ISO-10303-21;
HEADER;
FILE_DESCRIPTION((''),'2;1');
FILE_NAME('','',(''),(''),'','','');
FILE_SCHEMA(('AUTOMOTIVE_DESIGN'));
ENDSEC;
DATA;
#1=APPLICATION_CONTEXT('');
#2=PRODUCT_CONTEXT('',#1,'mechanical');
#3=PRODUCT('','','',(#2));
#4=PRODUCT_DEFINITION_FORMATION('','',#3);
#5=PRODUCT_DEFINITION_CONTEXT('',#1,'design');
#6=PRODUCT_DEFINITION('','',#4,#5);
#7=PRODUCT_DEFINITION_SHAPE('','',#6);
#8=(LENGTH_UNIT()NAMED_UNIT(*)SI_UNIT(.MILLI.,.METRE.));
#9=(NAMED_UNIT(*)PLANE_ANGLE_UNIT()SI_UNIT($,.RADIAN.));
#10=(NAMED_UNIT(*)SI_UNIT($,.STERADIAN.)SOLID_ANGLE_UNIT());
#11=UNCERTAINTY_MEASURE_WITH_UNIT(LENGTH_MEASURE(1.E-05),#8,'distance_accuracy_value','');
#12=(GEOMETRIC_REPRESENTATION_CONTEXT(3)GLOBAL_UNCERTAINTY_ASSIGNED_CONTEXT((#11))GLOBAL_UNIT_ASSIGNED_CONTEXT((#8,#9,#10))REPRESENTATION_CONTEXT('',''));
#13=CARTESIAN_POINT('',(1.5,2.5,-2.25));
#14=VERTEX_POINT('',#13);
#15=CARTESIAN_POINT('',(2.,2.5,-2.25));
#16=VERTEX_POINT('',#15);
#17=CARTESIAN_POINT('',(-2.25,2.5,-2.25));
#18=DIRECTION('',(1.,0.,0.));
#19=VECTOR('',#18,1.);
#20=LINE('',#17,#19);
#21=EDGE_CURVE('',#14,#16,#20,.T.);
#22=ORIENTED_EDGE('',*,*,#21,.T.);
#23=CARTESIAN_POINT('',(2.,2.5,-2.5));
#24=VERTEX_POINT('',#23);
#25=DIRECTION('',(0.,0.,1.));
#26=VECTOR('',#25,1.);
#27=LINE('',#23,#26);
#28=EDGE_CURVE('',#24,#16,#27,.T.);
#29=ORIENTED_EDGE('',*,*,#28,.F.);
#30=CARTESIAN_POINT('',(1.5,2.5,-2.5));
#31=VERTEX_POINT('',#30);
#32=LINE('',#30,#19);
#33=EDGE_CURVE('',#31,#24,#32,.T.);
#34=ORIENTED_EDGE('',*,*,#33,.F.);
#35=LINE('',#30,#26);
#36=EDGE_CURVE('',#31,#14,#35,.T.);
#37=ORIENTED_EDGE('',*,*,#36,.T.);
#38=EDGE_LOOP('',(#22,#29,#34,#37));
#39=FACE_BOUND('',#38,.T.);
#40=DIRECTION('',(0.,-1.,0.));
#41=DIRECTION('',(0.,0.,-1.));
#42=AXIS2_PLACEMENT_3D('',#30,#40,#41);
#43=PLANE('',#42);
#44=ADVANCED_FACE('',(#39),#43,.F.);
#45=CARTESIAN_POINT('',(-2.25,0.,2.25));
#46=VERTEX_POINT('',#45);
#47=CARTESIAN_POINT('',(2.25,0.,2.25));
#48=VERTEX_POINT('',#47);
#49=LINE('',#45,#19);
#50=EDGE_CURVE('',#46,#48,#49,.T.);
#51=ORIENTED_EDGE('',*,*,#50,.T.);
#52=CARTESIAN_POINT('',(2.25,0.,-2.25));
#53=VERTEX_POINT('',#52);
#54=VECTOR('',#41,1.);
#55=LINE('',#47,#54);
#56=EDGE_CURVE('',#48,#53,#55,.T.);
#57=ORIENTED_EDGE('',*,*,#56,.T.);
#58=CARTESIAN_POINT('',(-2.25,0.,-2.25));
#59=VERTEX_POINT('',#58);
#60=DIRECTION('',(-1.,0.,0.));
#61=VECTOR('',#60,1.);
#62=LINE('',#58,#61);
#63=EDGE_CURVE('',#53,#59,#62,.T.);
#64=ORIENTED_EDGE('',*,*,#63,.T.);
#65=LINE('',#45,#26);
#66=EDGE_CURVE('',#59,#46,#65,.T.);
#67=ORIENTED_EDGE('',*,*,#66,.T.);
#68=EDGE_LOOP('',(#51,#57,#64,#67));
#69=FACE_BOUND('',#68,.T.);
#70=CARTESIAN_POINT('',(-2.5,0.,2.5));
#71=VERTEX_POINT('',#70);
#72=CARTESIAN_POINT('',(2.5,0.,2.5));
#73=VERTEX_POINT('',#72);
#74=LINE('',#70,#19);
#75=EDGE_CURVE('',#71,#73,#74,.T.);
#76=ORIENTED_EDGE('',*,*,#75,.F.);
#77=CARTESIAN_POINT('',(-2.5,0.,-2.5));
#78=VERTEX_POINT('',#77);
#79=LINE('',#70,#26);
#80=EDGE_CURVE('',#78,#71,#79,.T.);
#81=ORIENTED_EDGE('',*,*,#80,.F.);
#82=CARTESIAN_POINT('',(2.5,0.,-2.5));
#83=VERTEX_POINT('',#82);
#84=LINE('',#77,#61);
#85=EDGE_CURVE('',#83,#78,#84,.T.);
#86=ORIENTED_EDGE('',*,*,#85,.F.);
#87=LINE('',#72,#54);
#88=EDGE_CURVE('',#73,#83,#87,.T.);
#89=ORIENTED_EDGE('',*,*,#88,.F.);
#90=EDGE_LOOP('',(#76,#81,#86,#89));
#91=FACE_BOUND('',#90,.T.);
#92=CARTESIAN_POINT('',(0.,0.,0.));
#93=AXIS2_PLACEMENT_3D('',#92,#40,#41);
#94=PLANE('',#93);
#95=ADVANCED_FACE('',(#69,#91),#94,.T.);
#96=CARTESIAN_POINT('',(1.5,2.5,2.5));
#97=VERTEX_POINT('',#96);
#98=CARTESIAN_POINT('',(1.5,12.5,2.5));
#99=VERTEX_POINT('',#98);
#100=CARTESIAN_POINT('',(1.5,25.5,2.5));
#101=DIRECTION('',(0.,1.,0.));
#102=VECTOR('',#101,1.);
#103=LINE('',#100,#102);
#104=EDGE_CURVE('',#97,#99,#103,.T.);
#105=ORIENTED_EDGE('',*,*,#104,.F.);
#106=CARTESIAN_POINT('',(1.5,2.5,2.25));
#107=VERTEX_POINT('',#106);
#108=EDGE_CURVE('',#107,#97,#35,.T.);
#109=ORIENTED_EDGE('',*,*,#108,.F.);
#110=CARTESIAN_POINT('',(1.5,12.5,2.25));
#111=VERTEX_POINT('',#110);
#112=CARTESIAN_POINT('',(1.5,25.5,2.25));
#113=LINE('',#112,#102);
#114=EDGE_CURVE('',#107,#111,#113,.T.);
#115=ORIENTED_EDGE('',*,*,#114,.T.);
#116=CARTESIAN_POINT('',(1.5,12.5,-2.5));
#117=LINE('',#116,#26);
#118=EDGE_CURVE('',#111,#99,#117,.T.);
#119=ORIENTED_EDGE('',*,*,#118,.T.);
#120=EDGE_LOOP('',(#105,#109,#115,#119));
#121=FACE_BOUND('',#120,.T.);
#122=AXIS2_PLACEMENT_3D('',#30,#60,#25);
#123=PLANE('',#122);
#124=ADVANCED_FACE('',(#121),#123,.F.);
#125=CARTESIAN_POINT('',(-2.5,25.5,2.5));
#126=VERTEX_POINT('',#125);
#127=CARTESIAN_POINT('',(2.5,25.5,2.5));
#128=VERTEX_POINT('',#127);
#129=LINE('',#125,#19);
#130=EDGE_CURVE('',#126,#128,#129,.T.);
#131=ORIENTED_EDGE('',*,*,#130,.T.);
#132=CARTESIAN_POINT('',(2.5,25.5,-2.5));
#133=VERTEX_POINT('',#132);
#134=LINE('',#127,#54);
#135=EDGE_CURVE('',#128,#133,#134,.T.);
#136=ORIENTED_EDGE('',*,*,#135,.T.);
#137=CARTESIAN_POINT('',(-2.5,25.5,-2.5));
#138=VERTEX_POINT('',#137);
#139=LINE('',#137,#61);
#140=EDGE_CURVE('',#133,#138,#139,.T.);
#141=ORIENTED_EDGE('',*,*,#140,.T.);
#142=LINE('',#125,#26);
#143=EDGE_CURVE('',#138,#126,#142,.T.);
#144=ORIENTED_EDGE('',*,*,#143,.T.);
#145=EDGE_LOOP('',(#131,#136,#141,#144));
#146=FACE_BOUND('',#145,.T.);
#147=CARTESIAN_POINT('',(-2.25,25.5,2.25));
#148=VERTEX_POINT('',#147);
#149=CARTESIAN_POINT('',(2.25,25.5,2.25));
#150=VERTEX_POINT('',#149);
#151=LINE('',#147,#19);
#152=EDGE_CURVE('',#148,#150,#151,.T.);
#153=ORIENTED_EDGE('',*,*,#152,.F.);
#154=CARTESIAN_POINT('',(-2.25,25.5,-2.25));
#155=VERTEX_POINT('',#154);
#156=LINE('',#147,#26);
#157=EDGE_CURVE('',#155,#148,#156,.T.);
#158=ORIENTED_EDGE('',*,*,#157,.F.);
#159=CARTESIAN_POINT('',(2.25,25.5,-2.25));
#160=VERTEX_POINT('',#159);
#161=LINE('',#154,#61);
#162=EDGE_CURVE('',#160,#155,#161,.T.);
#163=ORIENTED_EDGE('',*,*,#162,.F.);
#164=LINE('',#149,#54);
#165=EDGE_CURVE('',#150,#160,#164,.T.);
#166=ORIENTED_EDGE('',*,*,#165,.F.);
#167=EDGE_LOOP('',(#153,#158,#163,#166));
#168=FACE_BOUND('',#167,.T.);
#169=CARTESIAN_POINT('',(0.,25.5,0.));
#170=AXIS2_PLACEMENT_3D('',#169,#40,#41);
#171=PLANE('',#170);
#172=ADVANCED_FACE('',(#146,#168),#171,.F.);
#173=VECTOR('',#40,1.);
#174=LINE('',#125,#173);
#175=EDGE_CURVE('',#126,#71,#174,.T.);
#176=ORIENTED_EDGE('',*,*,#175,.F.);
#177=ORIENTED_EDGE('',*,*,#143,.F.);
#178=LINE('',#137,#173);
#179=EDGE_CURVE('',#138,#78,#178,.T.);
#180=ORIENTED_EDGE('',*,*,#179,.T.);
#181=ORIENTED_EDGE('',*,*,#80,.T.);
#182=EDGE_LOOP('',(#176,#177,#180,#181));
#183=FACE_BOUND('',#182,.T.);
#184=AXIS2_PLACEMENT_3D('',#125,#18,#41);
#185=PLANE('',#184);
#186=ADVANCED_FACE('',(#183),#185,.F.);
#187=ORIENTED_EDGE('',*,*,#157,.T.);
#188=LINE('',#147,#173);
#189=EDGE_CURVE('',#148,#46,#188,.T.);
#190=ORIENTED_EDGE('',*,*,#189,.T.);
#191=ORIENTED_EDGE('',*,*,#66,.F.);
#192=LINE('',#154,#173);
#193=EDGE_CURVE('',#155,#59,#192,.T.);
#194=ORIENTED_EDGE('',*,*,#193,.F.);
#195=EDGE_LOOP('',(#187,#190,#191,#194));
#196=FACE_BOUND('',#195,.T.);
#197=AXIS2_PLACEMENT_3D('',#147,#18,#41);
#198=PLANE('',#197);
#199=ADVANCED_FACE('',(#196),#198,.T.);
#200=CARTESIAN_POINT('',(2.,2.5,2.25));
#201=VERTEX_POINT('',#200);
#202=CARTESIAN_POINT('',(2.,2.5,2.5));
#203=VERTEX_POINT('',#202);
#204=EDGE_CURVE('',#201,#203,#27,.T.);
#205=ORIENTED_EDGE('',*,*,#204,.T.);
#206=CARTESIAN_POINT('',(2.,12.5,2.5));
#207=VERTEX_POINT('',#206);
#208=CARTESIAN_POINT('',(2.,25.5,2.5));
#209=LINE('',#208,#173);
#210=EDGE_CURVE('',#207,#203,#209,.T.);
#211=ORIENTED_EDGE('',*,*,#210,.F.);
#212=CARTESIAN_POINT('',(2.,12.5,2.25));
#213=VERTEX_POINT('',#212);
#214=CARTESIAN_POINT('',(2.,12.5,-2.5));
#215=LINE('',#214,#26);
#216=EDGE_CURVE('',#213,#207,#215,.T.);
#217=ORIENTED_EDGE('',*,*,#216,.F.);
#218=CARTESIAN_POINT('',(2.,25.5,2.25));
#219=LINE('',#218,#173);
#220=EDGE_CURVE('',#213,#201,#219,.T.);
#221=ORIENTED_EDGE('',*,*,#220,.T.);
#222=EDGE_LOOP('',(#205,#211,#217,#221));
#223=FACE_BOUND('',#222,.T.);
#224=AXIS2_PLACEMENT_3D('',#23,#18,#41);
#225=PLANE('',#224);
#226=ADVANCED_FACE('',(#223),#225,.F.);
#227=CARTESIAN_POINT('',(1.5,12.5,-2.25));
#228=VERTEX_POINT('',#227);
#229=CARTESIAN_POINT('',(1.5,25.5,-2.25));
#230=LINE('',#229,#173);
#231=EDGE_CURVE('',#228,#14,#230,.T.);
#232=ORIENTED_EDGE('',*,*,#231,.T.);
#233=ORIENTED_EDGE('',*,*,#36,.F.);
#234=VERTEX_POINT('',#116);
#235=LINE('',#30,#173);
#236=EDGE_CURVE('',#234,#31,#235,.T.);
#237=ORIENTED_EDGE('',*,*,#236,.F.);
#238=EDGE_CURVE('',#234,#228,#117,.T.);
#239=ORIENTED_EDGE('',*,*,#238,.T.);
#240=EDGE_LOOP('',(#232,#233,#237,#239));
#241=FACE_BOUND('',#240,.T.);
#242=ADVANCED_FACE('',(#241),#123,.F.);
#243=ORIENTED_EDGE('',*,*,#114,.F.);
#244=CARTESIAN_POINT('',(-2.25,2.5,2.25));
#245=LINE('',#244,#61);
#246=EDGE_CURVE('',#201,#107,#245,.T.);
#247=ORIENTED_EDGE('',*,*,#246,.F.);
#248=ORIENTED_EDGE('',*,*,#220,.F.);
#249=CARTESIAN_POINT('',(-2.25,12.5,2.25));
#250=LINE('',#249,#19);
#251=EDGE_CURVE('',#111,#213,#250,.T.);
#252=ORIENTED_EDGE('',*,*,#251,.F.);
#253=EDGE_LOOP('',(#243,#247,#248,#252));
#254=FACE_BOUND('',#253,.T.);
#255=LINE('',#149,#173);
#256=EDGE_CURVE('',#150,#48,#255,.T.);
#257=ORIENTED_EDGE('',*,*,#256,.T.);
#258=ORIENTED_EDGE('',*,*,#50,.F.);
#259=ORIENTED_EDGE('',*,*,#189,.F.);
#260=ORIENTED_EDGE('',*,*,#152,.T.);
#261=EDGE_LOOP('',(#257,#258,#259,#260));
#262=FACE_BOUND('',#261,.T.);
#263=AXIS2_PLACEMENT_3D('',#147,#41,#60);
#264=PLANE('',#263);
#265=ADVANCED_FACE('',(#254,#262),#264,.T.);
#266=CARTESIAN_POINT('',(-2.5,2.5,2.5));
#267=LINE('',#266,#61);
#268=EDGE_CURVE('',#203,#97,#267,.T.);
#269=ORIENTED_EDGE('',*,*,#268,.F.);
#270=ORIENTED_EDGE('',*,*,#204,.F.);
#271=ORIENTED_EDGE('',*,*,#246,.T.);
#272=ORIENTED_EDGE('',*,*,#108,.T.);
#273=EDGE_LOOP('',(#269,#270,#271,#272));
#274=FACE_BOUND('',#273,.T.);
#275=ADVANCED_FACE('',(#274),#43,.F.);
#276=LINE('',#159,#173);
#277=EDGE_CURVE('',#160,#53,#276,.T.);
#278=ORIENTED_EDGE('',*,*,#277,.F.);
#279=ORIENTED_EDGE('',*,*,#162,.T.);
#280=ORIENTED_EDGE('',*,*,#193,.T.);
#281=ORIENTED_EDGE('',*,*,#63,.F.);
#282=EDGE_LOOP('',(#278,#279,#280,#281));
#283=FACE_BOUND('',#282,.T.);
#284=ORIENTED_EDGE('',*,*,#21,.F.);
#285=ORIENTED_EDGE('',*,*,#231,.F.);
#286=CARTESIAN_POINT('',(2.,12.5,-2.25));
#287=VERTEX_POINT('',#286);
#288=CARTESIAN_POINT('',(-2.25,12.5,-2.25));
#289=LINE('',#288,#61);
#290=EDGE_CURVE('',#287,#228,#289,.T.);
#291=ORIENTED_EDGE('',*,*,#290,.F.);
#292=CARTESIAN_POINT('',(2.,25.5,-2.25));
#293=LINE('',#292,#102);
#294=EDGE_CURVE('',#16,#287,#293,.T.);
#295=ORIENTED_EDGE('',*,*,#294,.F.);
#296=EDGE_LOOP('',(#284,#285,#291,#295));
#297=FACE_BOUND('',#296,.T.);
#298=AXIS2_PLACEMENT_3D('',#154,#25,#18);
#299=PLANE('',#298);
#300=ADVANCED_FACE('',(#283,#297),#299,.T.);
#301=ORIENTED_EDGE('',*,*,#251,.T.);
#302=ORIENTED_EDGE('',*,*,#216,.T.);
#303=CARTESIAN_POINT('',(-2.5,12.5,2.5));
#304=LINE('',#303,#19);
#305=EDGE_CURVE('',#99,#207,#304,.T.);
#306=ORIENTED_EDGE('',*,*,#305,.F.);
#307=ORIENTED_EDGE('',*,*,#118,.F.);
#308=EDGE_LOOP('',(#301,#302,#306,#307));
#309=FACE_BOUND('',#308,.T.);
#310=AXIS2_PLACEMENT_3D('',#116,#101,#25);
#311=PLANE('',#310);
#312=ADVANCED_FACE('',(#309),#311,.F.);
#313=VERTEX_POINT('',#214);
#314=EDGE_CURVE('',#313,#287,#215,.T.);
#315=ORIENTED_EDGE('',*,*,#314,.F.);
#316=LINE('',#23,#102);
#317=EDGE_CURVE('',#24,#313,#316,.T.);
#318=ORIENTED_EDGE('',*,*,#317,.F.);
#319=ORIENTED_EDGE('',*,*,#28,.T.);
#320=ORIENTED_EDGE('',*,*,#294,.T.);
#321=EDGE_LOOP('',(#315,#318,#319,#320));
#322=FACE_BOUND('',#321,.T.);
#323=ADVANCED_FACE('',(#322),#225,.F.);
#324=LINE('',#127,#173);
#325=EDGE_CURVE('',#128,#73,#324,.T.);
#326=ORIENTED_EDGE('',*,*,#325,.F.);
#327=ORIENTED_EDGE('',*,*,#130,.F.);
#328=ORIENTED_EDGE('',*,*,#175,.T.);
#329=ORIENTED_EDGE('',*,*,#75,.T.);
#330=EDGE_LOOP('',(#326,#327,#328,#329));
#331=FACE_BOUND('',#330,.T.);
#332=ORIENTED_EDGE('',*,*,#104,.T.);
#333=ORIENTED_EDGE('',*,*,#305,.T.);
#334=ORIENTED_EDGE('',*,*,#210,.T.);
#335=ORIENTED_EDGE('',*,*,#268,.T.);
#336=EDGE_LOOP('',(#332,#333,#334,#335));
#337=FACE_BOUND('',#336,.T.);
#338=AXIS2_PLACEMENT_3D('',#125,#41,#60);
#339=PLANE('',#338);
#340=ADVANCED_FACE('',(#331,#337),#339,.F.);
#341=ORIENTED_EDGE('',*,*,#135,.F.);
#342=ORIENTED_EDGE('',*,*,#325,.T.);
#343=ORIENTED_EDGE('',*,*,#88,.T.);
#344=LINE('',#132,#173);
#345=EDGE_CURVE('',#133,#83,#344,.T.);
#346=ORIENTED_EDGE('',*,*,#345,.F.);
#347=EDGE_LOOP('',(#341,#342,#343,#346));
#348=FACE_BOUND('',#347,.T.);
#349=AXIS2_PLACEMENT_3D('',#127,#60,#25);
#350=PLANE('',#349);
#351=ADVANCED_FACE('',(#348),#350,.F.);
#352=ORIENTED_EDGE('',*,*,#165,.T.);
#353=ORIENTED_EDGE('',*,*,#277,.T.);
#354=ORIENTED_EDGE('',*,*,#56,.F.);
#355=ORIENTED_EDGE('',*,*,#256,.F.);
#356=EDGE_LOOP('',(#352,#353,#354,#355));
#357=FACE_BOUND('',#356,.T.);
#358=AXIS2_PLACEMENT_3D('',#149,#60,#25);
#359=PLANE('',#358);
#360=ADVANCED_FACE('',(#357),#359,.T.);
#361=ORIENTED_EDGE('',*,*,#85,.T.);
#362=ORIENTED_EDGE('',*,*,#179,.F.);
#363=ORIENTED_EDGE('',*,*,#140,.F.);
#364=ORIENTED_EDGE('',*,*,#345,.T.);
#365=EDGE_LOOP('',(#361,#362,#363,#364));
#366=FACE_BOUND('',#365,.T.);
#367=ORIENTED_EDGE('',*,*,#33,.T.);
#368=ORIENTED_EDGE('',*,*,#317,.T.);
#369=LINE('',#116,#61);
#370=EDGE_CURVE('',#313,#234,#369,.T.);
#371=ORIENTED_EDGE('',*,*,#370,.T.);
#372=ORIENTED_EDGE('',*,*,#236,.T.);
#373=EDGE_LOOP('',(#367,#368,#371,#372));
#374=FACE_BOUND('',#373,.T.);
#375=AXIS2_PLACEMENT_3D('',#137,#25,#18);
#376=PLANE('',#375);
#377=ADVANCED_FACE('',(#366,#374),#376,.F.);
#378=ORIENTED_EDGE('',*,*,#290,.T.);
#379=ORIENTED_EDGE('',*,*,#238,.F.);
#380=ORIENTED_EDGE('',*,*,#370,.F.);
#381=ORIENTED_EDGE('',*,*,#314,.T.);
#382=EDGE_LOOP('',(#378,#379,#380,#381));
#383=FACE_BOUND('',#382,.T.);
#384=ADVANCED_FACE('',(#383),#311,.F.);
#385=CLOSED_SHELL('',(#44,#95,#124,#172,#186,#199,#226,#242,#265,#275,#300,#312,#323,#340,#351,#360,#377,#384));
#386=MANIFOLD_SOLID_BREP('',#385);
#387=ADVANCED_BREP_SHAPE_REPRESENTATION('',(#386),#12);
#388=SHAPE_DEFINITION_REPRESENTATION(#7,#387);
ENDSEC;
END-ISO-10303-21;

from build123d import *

# Parameters (mm, degrees)
SKETCH1_W               = 5
SKETCH1_H               = 5
SKETCH1_W_2             = 4.5
SKETCH1_H_2             = 4.5
BOSS_EXTRUDE1_DEPTH     = 25.5
CUT_EXTRUDE1_DEPTH      = 27.105554964
CUT_EXTRUDE1_DEPTH_BACK = 27.105554964
SKETCH2_W               = 0.5
SKETCH2_H               = 10


with BuildPart() as part:
    # Sketch1 → Boss-Extrude1 (new body)
    with BuildSketch(Plane(origin=(0, 0, 0), x_dir=(1, 0, 0), z_dir=(0, 1, 0))):
        Rectangle(SKETCH1_W, SKETCH1_H)
        Rectangle(SKETCH1_W_2, SKETCH1_H_2, mode=Mode.SUBTRACT)
    extrude(amount=BOSS_EXTRUDE1_DEPTH)

    # Sketch2 → Cut-Extrude1 (cut, two sides: drawn at the far end of the back side and taken through both)
    with BuildSketch(Plane.XY.offset(2.5).offset(-CUT_EXTRUDE1_DEPTH_BACK)):
        with Locations((1.75, 7.5)):
            Rectangle(SKETCH2_W, SKETCH2_H)
    extrude(amount=CUT_EXTRUDE1_DEPTH + CUT_EXTRUDE1_DEPTH_BACK, mode=Mode.SUBTRACT)


solid = part.part
